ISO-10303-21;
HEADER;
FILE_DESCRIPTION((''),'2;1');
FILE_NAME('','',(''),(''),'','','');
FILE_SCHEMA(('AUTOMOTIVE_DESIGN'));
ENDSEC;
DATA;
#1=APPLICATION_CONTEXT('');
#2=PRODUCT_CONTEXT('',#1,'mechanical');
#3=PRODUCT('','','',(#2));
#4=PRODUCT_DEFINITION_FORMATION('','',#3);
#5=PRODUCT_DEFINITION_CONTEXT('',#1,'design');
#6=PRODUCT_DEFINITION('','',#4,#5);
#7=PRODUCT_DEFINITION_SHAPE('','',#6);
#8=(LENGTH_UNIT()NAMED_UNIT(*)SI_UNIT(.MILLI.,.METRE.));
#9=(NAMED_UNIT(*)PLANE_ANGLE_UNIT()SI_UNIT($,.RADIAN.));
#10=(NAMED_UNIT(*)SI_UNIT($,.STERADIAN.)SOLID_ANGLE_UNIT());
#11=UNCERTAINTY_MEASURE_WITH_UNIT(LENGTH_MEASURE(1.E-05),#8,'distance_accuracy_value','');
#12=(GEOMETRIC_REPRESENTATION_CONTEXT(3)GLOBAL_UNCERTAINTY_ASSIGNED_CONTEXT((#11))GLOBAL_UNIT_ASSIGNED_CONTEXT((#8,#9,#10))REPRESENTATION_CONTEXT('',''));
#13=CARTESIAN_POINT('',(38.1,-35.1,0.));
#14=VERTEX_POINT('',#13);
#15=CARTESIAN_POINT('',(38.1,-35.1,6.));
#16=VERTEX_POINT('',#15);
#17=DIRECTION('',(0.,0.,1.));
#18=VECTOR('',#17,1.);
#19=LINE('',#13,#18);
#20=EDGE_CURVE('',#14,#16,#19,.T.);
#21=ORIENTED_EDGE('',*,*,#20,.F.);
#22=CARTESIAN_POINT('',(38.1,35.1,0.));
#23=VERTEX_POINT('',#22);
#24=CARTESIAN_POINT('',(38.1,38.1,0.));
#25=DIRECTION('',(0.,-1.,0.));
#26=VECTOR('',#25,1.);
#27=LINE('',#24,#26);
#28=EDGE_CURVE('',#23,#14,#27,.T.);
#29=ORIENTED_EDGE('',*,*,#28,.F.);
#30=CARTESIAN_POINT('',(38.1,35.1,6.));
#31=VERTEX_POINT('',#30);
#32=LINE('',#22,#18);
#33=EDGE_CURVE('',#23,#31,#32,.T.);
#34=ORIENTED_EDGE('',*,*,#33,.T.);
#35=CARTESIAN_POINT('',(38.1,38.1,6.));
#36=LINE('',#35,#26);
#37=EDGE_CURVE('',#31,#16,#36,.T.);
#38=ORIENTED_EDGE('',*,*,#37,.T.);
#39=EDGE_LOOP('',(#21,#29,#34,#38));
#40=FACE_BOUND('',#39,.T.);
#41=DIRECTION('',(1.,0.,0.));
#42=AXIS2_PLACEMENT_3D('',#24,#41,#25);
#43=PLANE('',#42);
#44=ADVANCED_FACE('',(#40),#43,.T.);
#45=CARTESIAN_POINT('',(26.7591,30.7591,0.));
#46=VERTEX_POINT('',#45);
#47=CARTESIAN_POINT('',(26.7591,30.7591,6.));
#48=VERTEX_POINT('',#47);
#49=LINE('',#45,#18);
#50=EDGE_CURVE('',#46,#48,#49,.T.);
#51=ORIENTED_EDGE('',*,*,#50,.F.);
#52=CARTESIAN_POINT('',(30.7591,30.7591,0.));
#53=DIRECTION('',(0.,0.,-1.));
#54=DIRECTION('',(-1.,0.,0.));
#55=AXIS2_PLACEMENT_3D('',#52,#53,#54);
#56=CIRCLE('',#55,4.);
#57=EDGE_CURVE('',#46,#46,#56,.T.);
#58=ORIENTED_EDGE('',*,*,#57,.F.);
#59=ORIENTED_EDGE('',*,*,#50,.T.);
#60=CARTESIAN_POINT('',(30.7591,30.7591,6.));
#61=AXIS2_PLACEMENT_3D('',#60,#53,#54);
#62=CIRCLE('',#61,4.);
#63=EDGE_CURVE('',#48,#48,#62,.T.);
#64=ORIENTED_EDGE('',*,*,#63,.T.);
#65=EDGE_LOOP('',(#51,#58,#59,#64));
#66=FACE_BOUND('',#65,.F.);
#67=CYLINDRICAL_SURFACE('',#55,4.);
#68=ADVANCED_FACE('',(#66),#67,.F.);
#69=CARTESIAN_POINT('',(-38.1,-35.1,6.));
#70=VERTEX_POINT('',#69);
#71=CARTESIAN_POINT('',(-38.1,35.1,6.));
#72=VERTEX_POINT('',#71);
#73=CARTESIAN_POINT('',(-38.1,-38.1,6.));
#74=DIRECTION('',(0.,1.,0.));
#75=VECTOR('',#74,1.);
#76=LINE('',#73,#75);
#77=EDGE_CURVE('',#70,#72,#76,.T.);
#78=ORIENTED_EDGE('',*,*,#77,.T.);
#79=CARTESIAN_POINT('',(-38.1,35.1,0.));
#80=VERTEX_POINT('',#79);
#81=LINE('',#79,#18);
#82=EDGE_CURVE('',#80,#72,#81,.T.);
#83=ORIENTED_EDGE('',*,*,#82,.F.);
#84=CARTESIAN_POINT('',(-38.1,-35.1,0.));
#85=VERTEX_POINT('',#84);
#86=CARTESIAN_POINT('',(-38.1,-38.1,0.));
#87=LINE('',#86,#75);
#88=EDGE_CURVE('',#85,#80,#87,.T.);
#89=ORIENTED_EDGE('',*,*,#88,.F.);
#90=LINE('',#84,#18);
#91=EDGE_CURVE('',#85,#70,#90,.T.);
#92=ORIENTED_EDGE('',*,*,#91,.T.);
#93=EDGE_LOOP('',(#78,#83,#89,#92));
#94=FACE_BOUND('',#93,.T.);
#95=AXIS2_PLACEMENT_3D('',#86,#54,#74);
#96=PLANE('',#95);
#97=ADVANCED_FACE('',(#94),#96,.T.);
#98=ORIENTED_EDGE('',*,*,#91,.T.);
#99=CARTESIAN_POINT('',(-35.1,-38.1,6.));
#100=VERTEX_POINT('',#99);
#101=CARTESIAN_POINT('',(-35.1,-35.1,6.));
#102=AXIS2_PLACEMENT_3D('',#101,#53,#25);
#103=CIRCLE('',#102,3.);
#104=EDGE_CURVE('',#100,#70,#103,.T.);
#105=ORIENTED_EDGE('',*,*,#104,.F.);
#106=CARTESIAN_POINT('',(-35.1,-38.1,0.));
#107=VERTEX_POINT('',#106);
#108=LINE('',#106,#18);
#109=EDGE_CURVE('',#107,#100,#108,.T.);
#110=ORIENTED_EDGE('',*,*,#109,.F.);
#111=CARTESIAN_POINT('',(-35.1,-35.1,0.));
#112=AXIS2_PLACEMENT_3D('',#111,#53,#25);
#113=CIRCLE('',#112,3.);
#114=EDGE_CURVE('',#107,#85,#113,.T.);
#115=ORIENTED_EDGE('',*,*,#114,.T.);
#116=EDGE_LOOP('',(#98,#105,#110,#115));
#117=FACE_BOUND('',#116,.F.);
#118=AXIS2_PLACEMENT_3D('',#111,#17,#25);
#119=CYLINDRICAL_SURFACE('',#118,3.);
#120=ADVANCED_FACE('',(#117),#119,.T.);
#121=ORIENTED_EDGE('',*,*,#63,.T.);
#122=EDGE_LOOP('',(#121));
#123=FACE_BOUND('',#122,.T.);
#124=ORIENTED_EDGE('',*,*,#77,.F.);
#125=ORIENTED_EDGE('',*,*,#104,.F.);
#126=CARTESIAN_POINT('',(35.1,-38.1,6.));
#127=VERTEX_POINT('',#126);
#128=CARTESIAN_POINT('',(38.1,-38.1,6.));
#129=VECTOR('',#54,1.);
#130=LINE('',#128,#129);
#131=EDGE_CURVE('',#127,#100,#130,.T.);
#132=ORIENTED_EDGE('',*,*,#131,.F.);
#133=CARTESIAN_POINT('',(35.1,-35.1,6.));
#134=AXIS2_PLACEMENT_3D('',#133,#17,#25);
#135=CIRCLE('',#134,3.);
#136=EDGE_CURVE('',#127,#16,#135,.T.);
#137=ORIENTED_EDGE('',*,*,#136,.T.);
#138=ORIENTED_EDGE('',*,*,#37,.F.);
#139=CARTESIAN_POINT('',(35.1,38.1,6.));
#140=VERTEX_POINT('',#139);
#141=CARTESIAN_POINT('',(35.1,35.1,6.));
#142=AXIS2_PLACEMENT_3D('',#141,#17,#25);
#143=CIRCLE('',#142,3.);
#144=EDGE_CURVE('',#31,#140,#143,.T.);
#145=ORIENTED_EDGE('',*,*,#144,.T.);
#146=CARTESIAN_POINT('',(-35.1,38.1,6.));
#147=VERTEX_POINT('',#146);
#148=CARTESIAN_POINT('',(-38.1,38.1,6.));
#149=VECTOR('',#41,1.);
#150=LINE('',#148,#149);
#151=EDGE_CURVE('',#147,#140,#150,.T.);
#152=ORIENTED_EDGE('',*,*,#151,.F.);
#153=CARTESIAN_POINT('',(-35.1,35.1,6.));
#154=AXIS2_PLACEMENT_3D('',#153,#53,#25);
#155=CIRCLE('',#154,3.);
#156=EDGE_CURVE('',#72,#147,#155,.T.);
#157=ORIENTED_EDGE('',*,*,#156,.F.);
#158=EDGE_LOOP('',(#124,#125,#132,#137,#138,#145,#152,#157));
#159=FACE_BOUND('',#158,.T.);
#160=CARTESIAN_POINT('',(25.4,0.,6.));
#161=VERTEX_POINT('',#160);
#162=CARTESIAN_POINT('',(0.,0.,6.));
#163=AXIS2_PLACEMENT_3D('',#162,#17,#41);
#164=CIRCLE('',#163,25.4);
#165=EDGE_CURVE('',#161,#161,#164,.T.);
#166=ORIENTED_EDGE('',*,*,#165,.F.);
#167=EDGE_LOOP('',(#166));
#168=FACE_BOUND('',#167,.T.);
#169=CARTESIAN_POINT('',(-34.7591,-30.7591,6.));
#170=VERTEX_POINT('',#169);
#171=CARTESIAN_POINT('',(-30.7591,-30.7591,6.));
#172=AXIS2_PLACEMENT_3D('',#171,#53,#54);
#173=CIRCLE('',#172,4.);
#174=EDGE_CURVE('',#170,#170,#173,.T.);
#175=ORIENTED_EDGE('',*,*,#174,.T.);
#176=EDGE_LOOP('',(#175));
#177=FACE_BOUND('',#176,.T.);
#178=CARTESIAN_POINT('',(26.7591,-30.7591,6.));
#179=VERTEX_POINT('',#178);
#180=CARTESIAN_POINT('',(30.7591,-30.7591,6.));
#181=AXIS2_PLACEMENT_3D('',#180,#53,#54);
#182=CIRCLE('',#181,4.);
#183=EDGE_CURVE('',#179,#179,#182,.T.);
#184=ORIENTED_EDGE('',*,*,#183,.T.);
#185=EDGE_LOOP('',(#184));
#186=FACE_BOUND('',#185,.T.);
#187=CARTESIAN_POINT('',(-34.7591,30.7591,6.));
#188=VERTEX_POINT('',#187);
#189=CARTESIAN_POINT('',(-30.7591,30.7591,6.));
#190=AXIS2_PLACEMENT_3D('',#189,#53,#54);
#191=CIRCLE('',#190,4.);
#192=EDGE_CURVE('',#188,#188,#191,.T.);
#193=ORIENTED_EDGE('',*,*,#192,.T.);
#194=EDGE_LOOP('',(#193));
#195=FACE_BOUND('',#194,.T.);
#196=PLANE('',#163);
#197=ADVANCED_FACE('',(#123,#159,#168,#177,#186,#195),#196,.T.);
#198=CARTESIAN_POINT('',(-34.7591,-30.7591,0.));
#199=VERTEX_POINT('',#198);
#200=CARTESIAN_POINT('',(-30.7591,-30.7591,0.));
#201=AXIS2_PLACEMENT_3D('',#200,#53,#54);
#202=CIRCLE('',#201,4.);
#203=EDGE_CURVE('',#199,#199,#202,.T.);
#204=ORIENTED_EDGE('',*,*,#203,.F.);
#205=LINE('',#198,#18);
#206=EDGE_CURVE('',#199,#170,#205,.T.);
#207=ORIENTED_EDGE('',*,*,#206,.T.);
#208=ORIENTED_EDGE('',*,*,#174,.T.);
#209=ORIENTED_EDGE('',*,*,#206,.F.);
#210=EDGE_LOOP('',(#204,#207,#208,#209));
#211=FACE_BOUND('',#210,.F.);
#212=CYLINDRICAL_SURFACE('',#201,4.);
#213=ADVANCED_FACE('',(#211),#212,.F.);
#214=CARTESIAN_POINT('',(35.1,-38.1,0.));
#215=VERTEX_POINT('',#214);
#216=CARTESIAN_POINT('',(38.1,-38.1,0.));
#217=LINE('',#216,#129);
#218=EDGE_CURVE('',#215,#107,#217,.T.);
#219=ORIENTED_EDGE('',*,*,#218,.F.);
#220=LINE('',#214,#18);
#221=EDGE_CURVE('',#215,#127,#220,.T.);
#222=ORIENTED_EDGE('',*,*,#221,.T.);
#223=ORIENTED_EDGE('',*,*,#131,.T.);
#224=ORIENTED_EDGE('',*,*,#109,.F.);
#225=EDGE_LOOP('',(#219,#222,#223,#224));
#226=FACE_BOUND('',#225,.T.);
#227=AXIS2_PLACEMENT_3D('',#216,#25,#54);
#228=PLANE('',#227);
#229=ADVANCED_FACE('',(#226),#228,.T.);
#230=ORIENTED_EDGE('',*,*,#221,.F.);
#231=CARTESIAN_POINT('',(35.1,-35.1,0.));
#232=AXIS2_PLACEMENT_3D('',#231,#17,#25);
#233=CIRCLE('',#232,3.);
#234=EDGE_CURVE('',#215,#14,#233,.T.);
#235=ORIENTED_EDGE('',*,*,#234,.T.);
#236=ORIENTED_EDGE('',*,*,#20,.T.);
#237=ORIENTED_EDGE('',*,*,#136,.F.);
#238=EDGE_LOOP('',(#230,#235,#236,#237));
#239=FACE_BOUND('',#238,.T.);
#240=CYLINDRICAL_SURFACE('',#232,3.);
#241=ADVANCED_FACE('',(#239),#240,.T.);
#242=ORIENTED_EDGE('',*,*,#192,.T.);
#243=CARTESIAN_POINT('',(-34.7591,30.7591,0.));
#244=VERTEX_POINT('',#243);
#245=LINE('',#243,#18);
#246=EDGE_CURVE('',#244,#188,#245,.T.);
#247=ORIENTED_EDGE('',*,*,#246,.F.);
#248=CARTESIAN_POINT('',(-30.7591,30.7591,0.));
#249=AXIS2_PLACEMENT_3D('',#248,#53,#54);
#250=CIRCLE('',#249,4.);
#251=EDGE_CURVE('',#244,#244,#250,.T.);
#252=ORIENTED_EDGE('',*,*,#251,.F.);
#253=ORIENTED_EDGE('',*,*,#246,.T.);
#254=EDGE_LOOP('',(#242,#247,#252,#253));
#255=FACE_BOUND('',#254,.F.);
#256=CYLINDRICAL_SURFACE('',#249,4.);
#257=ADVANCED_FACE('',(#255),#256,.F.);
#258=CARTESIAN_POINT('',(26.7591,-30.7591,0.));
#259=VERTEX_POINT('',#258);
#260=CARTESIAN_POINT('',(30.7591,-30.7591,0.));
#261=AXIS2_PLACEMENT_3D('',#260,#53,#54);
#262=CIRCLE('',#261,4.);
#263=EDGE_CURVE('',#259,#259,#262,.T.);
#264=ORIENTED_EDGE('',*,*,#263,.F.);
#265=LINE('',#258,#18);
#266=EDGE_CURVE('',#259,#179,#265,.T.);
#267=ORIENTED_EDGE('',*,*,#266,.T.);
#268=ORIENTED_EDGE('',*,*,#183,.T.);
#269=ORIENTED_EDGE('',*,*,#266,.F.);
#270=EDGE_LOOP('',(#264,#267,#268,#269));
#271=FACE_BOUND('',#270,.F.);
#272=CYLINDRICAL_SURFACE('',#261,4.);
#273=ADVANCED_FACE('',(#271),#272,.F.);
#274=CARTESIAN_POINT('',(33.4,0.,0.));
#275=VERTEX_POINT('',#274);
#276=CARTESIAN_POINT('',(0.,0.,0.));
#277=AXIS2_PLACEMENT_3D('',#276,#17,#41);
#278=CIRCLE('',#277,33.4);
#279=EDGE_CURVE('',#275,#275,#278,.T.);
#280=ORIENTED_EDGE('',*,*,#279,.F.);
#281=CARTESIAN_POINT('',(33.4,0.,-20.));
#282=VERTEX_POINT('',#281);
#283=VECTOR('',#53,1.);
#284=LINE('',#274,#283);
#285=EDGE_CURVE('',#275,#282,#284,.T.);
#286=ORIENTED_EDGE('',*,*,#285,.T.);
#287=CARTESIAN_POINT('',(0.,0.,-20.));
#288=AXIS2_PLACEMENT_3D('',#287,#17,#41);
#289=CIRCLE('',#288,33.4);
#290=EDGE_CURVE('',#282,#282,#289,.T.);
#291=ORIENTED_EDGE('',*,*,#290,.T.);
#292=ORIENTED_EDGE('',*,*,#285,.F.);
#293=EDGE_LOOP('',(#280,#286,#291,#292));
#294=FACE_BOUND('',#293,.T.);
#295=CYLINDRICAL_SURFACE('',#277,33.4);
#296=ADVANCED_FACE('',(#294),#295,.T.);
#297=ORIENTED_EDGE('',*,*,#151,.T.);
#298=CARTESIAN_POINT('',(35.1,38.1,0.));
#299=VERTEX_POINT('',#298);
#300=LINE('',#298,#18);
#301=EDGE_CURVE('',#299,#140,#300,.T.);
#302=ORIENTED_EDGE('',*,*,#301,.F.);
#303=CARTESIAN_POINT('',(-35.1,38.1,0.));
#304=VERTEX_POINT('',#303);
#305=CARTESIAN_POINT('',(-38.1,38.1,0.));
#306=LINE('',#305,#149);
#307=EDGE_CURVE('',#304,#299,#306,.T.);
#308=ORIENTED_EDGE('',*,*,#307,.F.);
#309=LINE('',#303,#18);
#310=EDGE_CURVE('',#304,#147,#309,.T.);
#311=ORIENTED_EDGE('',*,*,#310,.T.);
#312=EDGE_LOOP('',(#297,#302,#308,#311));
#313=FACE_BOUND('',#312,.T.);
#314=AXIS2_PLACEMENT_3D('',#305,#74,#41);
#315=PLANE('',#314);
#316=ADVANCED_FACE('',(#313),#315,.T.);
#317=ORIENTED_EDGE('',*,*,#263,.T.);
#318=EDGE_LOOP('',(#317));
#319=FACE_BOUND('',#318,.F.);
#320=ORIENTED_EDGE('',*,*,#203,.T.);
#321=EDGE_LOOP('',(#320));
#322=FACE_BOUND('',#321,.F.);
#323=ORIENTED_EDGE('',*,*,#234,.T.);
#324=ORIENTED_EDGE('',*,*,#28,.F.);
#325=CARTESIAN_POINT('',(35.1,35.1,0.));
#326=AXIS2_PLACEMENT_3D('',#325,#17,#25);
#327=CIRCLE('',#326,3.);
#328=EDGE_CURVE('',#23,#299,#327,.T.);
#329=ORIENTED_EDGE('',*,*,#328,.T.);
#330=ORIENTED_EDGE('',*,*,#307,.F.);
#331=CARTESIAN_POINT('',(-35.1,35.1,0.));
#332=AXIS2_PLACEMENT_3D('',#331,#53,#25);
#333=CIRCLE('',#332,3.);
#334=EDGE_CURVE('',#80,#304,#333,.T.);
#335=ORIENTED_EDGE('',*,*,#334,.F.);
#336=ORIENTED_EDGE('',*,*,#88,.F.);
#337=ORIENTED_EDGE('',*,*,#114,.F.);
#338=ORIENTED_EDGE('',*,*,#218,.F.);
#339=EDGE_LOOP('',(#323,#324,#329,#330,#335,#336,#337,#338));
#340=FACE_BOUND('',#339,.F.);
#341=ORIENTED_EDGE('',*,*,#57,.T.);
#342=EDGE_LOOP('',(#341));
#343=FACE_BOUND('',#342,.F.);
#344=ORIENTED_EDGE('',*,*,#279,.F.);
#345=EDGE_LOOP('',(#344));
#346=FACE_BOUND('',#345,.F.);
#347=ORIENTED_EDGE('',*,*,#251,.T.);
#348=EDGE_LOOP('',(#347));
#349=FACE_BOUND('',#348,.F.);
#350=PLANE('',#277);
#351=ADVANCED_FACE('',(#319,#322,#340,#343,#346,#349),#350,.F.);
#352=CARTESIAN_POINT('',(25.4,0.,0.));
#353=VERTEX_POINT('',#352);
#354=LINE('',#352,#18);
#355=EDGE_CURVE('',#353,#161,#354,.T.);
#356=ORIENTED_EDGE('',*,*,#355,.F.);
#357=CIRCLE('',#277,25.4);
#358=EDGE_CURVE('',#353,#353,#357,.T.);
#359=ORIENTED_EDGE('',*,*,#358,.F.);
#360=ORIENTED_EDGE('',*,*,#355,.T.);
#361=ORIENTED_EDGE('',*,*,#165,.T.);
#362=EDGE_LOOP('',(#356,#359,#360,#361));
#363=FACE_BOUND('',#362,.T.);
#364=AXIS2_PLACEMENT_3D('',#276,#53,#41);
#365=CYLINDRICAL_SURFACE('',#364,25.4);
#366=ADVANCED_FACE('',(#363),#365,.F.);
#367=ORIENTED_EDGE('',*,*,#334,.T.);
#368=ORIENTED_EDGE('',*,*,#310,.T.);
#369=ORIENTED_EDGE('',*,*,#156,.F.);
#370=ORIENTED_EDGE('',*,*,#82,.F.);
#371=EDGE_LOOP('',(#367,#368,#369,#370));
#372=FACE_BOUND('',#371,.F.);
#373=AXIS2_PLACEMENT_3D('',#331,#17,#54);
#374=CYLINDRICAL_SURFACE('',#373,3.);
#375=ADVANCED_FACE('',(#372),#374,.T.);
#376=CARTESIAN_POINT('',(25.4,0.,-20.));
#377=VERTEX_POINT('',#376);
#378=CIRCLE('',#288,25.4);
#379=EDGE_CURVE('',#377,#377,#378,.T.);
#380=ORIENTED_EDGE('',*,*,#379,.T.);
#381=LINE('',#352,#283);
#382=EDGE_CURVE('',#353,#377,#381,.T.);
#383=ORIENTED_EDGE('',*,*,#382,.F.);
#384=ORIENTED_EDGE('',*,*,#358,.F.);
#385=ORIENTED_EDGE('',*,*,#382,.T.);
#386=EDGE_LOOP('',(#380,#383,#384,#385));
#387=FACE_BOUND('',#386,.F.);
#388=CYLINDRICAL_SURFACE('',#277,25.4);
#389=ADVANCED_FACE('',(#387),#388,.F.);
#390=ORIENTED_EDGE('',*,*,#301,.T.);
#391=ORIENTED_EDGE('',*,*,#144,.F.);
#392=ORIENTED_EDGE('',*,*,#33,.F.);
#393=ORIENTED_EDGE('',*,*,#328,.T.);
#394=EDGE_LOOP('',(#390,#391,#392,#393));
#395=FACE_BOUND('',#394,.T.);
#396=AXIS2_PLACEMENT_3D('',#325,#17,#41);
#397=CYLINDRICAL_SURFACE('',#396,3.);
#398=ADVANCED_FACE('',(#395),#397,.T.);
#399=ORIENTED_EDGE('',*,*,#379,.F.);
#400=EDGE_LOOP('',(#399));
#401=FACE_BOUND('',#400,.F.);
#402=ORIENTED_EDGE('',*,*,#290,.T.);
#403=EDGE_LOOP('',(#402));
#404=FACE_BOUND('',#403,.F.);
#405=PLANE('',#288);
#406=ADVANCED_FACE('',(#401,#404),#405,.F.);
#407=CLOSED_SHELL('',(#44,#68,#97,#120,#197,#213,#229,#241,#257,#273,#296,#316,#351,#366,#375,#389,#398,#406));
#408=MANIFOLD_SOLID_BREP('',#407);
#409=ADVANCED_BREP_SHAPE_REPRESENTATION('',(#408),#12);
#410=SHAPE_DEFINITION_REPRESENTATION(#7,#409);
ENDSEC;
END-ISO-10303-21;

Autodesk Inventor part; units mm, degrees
ref_plane "YZ Plane" through (0, 0, 0) normal (1, 0, 0) x (0, 1, 0)
ref_plane "XZ Plane" through (0, 0, 0) normal (0, 1, 0) x (-1, 0, 0)
ref_plane "XY Plane" through (0, 0, 0) normal (0, 0, 1) x (1, 0, 0)
sketch "Boceto1" plane through (0, 0, 0) normal (0, 0, 1) x (1, 0, 0)
  line L0 (38.1, -38.1) -> (-38.1, -38.1)
  line L1 (-38.1, -38.1) -> (-38.1, 38.1)
  line L2 (-38.1, 38.1) -> (38.1, 38.1)
  line L3 (38.1, 38.1) -> (38.1, -38.1)
  line L4 (38.1, -38.1) -> (-38.1, 38.1) construction
  line L5 (-38.1, -38.1) -> (38.1, 38.1) construction
  circle A0 centre (0, 0) radius 25.4
  circle A1 centre (0, 0) radius 33.4
  dimension "d0" = 76.2
  dimension "d1" = 76.2
  dimension "d2" = 50.8
  dimension "d3" = 8
extrude "Extrusión1" add sketch "Boceto1" along normal blind 6 contours L0 L1 L2 L3 | A1
extrude "Extrusión2" add sketch "Boceto1" against normal blind 20 contours A1
sketch "Boceto2" plane through (0, 0, 0) normal (0, 0, -1) x (-1, 0, 0)
  line L0 (-38.1, 38.1) -> (38.1, 38.1) projected
  circle A0 centre (0, 0) radius 25.4 projected
  line L1 (38.1, 38.1) -> (38.1, -38.1) projected
  line L2 (38.1, -38.1) -> (-38.1, -38.1) projected
  line L3 (-38.1, -38.1) -> (-38.1, 38.1) projected
  circle A1 centre (30.7591, 30.7591) radius 4
  circle A2 centre (-30.7591, 30.7591) radius 4
  circle A3 centre (-30.7591, -30.7591) radius 4
  circle A4 centre (30.7591, -30.7591) radius 4
  dimension "d10" = 8
  dimension "d11" = 8
  dimension "d12" = 8
  dimension "d13" = 8
extrude "Extrusión3" cut sketch "Boceto2" against normal blind 20 contours A1 | A2 | A3 | A4
fillet "Empalme1" radius 3 4 edges at (-38.1, 38.1, 3) (38.1, 38.1, 3) (38.1, -38.1, 3) (-38.1, -38.1, 3)
properties part number "chumacera"
